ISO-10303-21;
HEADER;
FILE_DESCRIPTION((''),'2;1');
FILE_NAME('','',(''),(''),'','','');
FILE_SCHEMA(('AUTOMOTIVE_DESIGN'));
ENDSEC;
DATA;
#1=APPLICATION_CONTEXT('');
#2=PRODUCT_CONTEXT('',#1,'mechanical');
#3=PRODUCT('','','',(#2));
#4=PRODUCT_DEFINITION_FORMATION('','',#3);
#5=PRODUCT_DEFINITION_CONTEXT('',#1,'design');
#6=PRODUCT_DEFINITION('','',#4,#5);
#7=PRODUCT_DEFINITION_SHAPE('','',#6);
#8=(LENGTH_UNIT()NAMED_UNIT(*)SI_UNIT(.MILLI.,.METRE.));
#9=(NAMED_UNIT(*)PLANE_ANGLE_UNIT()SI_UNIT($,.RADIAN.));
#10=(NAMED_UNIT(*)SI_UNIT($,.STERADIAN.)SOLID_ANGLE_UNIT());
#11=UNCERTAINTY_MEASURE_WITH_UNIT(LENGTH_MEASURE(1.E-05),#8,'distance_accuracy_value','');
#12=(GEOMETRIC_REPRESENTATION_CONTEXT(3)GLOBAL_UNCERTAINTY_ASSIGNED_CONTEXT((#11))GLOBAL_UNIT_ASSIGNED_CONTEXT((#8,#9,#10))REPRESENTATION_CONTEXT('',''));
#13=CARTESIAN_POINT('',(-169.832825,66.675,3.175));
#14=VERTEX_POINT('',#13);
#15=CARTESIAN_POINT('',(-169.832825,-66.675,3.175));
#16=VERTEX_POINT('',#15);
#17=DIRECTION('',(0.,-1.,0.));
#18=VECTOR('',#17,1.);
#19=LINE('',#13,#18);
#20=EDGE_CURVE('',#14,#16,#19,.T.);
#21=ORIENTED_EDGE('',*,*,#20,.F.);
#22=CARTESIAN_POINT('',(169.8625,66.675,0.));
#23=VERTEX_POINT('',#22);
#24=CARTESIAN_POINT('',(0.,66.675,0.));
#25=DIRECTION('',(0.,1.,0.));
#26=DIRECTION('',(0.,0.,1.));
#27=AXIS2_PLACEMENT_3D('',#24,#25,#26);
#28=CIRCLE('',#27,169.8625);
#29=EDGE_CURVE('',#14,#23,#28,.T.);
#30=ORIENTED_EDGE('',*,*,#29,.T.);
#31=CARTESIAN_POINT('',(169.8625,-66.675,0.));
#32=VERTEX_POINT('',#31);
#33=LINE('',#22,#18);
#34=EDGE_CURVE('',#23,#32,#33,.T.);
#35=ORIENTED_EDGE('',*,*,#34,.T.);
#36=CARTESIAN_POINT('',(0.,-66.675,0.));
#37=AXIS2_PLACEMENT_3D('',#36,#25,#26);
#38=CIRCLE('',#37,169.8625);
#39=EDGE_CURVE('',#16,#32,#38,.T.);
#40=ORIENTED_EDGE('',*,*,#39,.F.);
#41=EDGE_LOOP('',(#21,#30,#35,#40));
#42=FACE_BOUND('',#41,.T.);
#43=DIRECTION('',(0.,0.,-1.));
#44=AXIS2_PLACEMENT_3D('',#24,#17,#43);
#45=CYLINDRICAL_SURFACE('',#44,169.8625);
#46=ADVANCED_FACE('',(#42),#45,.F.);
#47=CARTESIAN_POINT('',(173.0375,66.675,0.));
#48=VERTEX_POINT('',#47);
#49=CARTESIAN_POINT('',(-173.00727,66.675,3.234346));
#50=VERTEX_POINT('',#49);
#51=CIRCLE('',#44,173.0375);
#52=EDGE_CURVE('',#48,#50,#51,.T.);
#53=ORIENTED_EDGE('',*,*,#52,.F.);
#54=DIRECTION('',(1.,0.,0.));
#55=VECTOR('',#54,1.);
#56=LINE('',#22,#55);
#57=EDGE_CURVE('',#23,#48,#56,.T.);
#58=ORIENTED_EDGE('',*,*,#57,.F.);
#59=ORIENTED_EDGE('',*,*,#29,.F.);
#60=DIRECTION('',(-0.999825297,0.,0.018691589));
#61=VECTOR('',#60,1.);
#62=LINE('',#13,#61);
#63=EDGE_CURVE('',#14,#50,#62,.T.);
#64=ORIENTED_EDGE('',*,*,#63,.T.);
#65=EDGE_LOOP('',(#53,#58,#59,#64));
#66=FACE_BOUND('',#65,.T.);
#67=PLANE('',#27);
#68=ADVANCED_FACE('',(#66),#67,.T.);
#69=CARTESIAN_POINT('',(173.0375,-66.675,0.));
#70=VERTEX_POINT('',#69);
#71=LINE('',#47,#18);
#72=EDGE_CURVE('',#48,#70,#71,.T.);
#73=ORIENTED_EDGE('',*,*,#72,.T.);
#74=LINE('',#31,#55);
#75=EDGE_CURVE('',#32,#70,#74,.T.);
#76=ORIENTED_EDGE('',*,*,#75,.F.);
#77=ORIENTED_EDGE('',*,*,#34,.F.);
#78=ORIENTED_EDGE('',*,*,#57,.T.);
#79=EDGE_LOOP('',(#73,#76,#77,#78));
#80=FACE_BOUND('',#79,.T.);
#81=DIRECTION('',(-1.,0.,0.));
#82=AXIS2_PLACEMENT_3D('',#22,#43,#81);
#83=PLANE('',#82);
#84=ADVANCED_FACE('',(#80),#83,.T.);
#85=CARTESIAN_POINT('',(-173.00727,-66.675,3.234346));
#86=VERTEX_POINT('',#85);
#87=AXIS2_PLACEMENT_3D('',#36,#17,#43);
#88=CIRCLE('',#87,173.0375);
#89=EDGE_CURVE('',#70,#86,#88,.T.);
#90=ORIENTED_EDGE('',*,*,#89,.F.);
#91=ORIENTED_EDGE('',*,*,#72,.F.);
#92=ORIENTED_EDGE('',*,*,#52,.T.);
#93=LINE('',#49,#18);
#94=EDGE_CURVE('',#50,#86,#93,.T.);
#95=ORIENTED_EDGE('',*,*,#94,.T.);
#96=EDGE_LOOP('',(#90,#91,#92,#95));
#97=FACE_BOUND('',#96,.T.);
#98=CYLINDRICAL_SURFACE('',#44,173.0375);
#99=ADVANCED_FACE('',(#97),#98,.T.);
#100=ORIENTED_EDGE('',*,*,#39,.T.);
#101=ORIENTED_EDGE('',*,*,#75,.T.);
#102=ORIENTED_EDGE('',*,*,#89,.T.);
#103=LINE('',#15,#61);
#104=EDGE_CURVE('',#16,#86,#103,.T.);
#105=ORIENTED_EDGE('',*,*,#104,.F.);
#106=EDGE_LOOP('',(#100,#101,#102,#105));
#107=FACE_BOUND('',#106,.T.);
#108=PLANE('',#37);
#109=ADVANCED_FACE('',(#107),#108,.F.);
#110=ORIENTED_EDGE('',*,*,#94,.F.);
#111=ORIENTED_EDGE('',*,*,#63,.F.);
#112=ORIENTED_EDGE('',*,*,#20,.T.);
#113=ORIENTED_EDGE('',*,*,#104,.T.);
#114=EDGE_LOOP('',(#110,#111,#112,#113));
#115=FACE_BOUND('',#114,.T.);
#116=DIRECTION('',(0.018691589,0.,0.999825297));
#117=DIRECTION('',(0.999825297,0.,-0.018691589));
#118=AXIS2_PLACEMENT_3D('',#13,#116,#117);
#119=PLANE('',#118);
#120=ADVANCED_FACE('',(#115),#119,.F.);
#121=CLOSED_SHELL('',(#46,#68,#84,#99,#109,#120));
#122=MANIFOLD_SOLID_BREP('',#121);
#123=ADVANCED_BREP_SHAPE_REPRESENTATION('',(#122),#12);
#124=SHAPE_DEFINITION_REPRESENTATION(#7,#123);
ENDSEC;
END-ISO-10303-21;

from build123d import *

# Parameters (mm, degrees)
BOSS_EXTRUDE1_DEPTH = 66.675


with BuildPart() as part:
    # Sketch1 → Boss-Extrude1 (new body, symmetric)
    with BuildSketch(Plane(origin=(0, 0, 0), x_dir=(1, 0, 0), z_dir=(0, 1, 0))):
        with BuildLine():
            Line((169.8625, 0), (173.0375, 0))
            ThreePointArc((173.0375, 0), (1.617243533, -173.029942292), (-173.007269829, -3.234345794))
            Line((-173.007269829, -3.234345794), (-169.832824511, -3.175))
            ThreePointArc((-169.832824511, -3.175), (1.58756934, -169.855080966), (169.8625, 0))
        make_face()
    extrude(amount=BOSS_EXTRUDE1_DEPTH, both=True)


solid = part.part
